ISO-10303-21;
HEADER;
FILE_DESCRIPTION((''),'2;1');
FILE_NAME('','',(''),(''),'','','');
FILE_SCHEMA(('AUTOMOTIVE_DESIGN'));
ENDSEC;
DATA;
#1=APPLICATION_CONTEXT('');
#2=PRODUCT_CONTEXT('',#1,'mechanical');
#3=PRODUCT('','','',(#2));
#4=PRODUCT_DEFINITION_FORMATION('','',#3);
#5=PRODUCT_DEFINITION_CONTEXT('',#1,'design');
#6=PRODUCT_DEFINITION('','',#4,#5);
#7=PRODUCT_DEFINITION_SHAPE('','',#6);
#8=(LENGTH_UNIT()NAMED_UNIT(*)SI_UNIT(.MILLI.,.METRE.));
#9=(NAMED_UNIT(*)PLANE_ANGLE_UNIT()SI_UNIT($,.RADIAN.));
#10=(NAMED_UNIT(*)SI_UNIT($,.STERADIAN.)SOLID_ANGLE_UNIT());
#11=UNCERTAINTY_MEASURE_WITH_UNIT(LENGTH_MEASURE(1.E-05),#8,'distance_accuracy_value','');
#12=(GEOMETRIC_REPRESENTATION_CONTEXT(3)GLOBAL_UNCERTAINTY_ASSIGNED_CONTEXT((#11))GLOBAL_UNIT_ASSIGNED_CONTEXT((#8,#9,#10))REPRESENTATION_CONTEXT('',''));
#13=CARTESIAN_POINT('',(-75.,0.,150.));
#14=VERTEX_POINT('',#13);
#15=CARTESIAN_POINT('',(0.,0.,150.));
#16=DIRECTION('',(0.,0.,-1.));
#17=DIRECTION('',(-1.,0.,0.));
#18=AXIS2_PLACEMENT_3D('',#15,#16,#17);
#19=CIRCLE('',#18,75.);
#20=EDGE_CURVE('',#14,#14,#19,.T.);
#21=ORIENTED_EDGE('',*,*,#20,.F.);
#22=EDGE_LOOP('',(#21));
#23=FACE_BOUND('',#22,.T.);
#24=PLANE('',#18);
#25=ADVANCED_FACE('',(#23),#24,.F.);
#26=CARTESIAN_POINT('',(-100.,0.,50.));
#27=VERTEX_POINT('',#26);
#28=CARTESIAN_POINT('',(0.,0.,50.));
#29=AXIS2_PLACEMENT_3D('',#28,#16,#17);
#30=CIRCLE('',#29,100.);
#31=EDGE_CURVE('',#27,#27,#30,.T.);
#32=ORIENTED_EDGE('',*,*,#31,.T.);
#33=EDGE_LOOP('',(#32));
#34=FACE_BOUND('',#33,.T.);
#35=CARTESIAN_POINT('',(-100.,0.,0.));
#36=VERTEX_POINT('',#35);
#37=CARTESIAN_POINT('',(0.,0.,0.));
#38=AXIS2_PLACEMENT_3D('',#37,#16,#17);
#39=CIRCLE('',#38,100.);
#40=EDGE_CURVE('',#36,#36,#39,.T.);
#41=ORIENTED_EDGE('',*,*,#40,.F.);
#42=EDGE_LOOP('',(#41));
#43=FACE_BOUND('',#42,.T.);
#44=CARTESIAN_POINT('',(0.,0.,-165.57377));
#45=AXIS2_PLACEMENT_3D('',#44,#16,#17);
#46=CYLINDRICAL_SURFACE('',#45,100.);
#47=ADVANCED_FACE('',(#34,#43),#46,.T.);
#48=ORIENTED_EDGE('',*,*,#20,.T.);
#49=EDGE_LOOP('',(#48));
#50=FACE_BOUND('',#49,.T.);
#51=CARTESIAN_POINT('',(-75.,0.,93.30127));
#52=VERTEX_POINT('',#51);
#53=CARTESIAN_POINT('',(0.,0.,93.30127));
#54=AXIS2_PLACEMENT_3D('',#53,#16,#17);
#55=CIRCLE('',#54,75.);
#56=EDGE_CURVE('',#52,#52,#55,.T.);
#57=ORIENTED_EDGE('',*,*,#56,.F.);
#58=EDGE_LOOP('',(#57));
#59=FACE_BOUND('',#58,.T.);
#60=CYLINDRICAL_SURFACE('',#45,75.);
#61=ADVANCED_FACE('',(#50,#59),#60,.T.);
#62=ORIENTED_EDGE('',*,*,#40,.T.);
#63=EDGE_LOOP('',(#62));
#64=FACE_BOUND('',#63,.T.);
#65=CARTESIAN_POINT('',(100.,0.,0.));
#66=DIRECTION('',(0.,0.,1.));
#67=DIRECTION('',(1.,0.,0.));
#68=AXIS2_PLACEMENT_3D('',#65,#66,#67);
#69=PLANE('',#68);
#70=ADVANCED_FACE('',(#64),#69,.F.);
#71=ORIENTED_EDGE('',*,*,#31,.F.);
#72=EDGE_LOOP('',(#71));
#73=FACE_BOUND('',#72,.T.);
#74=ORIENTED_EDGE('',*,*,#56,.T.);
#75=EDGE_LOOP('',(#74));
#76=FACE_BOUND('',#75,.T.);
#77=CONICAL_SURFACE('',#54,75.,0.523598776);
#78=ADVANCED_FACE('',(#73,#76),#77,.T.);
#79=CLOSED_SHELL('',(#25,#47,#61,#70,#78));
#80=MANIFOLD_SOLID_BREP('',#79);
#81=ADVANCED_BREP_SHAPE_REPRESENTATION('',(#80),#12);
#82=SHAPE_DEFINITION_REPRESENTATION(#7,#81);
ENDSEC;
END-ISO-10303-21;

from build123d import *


with BuildPart() as part:
    # Sketch1 → Revolve1 (revolve)
    with BuildSketch(Plane(origin=(0, 0, 0), x_dir=(1, 0, 0), z_dir=(0, 1, 0))):
        Polygon((0, -150), (75, -150), (75, -93.301270189), (100, -50), (100, 0), (0, 0), align=None)
    revolve(axis=Axis((0, 0, -165.573770492), (0, 0, 1)))


solid = part.part
